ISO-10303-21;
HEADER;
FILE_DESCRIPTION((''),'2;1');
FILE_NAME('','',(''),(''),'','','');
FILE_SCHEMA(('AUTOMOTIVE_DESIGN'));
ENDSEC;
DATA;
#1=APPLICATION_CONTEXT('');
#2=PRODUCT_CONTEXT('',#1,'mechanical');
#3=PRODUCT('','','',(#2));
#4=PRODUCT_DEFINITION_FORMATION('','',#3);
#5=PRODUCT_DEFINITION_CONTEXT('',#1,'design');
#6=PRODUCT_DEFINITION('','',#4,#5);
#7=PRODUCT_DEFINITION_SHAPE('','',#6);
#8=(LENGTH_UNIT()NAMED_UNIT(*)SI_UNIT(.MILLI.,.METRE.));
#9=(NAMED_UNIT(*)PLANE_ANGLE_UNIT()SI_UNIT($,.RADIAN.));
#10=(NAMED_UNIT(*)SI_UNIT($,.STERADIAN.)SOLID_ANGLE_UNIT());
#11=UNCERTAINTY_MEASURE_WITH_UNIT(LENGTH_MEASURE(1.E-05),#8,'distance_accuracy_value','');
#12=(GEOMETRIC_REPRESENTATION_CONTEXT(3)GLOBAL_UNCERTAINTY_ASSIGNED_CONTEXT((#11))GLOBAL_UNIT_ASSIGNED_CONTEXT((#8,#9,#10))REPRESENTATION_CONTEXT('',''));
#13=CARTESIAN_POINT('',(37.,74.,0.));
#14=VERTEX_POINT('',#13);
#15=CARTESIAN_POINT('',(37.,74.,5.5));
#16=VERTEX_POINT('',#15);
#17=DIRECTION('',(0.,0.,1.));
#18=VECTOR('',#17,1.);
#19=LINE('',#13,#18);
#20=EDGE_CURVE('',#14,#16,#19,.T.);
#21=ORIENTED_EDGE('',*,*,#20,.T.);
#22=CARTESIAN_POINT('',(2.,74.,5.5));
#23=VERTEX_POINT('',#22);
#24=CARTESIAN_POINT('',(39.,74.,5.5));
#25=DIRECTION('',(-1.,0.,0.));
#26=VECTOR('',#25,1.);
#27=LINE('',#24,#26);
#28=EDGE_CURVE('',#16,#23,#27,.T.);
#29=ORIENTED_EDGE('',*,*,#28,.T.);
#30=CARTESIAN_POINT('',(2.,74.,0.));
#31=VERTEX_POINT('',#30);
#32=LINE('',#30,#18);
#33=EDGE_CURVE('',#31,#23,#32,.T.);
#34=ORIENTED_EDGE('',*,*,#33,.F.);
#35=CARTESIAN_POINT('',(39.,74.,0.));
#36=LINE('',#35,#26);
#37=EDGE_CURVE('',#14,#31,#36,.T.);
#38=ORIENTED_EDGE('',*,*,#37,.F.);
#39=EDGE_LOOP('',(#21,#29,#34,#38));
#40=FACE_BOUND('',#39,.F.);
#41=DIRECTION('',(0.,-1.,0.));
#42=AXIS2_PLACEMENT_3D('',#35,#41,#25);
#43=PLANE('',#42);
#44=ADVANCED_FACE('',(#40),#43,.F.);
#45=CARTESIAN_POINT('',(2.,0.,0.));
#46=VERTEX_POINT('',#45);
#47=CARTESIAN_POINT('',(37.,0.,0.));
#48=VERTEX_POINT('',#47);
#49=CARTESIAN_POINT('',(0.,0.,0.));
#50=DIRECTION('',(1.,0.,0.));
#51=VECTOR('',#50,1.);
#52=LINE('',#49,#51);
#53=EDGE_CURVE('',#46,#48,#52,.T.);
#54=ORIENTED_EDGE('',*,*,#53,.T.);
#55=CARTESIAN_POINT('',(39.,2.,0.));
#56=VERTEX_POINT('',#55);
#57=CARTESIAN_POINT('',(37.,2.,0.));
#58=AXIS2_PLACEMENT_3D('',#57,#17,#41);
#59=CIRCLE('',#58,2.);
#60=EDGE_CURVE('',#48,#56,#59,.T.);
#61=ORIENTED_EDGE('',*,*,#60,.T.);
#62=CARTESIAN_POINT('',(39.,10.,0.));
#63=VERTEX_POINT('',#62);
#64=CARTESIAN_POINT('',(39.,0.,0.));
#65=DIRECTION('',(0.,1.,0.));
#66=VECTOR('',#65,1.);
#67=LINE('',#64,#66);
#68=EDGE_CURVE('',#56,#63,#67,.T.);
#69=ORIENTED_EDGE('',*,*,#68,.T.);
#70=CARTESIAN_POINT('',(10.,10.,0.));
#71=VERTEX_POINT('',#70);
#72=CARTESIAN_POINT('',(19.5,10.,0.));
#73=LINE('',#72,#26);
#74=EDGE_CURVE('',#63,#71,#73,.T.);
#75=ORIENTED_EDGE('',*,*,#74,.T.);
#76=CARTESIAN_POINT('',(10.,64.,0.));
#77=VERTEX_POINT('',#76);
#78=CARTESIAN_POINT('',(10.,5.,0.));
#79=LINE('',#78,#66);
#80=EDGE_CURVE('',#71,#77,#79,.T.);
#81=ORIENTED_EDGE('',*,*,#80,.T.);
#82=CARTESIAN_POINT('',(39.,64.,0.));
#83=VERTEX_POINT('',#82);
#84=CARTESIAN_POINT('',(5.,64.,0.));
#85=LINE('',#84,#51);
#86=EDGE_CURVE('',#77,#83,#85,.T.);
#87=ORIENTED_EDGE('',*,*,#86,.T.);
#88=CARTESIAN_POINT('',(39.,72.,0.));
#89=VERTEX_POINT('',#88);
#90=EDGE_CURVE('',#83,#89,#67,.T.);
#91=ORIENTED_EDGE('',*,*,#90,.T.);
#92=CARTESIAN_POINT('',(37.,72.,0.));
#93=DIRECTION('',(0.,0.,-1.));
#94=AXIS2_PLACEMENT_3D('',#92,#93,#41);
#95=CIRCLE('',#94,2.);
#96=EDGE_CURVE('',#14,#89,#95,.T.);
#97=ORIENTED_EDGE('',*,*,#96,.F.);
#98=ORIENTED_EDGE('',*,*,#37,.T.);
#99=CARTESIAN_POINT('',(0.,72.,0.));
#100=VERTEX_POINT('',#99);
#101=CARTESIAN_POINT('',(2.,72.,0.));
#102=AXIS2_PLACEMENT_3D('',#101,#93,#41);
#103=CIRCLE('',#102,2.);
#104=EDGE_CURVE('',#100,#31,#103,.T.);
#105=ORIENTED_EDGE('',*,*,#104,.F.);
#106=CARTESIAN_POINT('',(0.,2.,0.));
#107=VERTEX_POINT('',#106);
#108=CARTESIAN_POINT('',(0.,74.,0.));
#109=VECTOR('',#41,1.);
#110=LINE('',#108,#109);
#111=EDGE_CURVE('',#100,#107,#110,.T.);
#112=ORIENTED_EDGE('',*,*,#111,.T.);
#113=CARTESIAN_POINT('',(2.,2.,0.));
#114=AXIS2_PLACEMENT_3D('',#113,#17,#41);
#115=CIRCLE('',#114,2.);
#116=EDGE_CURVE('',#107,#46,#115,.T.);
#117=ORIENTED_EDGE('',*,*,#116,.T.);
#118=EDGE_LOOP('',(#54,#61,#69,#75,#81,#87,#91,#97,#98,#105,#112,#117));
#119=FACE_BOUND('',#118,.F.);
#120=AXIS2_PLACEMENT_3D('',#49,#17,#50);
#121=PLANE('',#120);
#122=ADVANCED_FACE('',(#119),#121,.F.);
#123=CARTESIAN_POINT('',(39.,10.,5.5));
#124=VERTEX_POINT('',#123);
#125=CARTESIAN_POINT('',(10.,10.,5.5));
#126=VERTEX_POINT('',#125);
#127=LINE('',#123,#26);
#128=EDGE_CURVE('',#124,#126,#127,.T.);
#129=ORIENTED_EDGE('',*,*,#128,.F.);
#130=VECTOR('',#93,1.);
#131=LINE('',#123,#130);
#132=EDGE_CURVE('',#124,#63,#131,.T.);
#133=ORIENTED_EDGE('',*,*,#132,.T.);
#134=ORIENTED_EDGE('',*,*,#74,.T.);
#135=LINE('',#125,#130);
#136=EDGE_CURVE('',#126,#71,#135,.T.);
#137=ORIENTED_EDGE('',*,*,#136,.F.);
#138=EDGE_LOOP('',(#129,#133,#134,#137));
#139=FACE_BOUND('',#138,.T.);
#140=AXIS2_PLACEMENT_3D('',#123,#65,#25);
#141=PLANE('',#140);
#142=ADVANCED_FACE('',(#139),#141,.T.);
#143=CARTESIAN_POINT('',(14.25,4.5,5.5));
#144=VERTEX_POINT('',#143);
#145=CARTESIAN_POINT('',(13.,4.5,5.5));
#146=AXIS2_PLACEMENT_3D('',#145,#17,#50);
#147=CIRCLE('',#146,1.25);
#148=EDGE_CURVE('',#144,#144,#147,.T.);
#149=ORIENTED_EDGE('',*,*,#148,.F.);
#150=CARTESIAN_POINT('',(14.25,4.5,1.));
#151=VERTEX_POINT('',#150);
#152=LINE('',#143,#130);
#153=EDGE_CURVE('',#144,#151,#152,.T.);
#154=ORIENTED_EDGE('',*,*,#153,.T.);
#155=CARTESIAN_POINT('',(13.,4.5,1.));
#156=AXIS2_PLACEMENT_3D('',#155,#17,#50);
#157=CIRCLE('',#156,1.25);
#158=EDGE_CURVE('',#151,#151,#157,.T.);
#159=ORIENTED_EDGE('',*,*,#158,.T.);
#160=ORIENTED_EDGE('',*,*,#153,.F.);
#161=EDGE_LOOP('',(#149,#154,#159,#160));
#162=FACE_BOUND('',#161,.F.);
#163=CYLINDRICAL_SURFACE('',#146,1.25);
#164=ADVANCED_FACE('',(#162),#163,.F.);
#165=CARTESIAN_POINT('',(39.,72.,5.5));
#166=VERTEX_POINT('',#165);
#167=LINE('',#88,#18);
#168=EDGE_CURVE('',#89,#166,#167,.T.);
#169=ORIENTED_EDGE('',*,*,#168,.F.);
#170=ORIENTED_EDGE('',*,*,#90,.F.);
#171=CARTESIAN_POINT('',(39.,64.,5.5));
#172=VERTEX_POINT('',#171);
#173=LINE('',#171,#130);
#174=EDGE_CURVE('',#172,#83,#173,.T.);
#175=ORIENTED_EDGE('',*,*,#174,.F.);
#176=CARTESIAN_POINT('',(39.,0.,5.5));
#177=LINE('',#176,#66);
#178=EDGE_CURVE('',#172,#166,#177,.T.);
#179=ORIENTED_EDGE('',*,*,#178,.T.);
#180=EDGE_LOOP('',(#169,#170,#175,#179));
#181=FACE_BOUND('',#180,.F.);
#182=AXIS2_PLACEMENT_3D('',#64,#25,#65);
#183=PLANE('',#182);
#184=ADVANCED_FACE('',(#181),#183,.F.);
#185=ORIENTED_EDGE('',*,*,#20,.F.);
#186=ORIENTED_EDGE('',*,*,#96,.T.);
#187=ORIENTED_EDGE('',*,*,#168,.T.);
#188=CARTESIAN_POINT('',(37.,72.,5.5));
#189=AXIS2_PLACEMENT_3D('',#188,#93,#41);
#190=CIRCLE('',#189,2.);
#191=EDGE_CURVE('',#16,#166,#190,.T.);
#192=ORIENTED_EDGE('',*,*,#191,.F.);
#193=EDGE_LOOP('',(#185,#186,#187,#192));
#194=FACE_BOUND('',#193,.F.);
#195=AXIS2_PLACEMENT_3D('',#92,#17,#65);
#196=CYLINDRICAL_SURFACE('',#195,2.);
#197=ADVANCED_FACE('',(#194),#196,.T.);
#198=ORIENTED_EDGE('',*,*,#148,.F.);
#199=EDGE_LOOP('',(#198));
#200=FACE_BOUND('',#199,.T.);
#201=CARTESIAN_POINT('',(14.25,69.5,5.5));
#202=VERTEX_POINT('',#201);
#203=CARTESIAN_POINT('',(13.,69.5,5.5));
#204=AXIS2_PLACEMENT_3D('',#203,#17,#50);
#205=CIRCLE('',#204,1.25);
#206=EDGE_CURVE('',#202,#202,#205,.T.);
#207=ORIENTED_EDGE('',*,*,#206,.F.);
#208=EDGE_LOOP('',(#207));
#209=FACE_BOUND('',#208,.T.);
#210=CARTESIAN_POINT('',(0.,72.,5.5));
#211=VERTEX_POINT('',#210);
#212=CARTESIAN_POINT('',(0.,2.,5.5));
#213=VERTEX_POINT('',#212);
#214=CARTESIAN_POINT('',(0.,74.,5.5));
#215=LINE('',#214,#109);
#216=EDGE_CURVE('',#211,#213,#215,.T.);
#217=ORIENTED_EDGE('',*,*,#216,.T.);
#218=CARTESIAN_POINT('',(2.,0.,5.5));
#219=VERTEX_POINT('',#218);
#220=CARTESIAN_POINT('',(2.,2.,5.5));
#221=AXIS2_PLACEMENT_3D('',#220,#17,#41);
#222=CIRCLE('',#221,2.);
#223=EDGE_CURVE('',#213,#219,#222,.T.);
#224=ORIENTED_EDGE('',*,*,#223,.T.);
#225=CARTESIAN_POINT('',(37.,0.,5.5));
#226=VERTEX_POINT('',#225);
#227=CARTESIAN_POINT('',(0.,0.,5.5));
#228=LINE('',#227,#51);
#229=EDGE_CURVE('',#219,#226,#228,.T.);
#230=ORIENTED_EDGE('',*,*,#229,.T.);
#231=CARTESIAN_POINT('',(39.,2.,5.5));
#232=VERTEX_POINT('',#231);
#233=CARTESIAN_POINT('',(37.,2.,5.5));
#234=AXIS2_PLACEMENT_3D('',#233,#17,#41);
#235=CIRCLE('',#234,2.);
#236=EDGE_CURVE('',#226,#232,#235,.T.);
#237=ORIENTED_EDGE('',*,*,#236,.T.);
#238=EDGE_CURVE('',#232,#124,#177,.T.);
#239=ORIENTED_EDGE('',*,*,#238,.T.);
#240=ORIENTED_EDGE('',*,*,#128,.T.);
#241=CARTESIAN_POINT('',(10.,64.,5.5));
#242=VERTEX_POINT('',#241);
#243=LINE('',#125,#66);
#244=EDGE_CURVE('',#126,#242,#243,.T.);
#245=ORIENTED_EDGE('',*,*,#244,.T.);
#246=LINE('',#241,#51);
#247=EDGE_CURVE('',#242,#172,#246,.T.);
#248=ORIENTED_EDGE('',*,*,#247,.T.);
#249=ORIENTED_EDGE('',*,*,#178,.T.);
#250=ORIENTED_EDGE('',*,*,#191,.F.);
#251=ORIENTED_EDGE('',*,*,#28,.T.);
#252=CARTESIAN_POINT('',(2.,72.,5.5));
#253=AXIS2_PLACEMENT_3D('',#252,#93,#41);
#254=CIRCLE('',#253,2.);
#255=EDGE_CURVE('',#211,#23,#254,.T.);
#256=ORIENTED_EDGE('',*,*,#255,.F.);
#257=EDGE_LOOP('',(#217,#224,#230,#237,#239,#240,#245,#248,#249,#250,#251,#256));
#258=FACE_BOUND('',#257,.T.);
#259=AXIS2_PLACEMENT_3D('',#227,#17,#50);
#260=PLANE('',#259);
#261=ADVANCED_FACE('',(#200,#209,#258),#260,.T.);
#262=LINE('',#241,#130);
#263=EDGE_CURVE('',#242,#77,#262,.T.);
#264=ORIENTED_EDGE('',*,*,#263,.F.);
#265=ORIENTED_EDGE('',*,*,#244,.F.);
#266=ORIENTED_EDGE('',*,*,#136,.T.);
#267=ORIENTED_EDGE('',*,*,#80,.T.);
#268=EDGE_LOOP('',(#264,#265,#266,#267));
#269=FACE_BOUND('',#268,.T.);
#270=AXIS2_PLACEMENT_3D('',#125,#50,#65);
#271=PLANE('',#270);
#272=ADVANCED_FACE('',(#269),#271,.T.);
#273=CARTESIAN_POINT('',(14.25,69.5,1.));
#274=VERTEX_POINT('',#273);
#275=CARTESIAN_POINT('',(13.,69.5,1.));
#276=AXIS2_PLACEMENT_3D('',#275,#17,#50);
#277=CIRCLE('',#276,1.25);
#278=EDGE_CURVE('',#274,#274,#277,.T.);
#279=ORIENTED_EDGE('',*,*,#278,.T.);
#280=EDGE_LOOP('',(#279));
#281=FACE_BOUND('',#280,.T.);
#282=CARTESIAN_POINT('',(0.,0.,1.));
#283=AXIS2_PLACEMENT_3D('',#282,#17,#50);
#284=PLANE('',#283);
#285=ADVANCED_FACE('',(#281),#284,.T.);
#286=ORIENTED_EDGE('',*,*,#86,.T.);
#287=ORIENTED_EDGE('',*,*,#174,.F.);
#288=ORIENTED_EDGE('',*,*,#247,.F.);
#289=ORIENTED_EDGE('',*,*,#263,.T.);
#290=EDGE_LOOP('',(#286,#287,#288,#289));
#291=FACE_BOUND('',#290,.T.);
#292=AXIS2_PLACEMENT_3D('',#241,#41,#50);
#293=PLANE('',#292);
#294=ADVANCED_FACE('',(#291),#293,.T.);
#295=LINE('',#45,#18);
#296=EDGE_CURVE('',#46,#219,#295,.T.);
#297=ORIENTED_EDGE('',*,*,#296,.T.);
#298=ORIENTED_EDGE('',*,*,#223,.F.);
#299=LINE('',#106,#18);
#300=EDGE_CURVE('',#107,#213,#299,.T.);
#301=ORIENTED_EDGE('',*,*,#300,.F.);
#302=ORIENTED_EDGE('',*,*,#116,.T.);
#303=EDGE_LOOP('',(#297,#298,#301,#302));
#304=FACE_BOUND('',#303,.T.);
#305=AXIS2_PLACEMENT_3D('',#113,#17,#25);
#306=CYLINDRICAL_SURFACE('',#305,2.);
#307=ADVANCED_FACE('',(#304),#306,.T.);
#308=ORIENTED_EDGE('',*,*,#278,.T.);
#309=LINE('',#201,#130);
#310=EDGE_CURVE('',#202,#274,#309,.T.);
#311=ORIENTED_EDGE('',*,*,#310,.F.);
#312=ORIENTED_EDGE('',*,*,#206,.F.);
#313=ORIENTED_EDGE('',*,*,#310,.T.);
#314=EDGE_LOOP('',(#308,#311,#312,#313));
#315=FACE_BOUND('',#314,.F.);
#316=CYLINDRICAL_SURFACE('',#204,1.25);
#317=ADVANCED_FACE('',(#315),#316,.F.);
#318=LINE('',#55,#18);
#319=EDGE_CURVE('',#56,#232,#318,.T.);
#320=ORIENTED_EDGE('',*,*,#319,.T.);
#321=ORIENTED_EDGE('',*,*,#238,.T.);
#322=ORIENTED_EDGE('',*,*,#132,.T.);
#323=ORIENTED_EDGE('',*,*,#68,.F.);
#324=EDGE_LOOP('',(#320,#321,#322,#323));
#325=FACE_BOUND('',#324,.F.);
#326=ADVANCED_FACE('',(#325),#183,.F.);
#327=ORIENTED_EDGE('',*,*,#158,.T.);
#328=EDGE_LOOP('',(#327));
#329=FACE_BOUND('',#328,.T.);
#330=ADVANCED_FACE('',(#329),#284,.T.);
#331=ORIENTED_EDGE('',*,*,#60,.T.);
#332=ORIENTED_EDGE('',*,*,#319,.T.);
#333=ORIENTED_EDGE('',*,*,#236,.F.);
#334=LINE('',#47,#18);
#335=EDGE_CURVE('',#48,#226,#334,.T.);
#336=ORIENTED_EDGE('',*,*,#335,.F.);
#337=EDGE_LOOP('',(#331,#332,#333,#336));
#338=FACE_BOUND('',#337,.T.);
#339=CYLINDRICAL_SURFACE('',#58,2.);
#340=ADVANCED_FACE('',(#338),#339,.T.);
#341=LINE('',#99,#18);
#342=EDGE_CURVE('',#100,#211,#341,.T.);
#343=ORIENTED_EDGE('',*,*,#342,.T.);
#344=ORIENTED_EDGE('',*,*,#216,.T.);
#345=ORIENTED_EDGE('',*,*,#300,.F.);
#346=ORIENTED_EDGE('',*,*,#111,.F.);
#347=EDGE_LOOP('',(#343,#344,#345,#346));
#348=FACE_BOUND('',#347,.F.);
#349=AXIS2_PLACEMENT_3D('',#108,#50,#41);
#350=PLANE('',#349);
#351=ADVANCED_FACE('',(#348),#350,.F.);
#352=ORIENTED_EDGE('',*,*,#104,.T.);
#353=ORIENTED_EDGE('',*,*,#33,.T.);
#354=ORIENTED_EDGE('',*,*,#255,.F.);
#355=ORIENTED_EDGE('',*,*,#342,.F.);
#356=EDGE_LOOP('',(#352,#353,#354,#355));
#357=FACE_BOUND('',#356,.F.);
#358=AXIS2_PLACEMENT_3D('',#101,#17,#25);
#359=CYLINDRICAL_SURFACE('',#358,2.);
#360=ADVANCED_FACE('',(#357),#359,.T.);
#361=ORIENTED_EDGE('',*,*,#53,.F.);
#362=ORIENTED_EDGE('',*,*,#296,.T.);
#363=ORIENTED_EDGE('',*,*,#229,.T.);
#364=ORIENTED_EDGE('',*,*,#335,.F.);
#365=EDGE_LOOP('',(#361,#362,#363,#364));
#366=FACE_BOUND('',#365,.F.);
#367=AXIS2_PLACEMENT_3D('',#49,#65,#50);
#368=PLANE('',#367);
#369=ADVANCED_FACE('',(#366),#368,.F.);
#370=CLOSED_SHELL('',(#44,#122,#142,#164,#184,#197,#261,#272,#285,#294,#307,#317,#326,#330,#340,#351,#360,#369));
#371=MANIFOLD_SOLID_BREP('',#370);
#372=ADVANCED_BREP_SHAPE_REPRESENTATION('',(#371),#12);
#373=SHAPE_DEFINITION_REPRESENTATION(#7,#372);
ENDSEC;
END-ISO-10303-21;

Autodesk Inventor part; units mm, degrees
ref_plane "YZ Plane" through (0, 0, 0) normal (1, 0, 0) x (0, 1, 0)
ref_plane "XZ Plane" through (0, 0, 0) normal (0, 1, 0) x (-1, 0, 0)
ref_plane "XY Plane" through (0, 0, 0) normal (0, 0, 1) x (1, 0, 0)
sketch "Эскиз1" plane through (0, 0, 0) normal (0, 0, 1) x (1, 0, 0)
  line L0 (0, 0) -> (39, 0)
  line L1 (39, 0) -> (39, 74)
  line L2 (39, 74) -> (0, 74)
  line L3 (0, 74) -> (0, 0)
  dimension "d0" = 39
  dimension "d1" = 74
extrude "Выдавливание1" add sketch "Эскиз1" along normal blind 5.5
sketch "Эскиз2" plane through (0, 0, 5.5) normal (0, 0, 1) x (1, 0, 0)
  line L0 (39, 0) -> (39, 74) projected
  line L1 (39, 10) -> (10, 10)
  line L2 (10, 10) -> (10, 64)
  line L3 (10, 64) -> (39, 64)
  line L4 (39, 64) -> (39, 10)
  line L5 (0, 0) -> (39, 0) projected
  line L6 (39, 74) -> (0, 74) projected
  point P0 (39, 64)
  dimension "d4" = 10
  dimension "d5" = 10
  dimension "d6" = 29
extrude "Выдавливание2" cut sketch "Эскиз2" against normal blind 13.5
sketch "Эскиз3" plane through (0, 0, 5.5) normal (0, 0, 1) x (1, 0, 0)
  circle A0 centre (13, 4.5) radius 1.25
  circle A1 centre (13, 69.5) radius 1.25
  line L0 (39, 0) -> (39, 10) projected
  line L1 (39, 64) -> (39, 74) projected
  line L2 (0, 0) -> (39, 0) projected
  line L3 (39, 74) -> (0, 74) projected
  dimension "d9" = 26
  dimension "d10" = 26
  dimension "d11" = 2.5
  dimension "d12" = 2.5
  dimension "d13" = 65
  dimension "d14" = 4.5
  dimension "d15" = 4.5
extrude "Выдавливание3" cut sketch "Эскиз3" against normal blind 4.5
fillet "Сопряжение1" radius 2 4 edges at (39, 0, 2.75) (39, 74, 2.75) (0, 0, 2.75) (0, 74, 2.75)
properties part number "s-10-5_Holder"
